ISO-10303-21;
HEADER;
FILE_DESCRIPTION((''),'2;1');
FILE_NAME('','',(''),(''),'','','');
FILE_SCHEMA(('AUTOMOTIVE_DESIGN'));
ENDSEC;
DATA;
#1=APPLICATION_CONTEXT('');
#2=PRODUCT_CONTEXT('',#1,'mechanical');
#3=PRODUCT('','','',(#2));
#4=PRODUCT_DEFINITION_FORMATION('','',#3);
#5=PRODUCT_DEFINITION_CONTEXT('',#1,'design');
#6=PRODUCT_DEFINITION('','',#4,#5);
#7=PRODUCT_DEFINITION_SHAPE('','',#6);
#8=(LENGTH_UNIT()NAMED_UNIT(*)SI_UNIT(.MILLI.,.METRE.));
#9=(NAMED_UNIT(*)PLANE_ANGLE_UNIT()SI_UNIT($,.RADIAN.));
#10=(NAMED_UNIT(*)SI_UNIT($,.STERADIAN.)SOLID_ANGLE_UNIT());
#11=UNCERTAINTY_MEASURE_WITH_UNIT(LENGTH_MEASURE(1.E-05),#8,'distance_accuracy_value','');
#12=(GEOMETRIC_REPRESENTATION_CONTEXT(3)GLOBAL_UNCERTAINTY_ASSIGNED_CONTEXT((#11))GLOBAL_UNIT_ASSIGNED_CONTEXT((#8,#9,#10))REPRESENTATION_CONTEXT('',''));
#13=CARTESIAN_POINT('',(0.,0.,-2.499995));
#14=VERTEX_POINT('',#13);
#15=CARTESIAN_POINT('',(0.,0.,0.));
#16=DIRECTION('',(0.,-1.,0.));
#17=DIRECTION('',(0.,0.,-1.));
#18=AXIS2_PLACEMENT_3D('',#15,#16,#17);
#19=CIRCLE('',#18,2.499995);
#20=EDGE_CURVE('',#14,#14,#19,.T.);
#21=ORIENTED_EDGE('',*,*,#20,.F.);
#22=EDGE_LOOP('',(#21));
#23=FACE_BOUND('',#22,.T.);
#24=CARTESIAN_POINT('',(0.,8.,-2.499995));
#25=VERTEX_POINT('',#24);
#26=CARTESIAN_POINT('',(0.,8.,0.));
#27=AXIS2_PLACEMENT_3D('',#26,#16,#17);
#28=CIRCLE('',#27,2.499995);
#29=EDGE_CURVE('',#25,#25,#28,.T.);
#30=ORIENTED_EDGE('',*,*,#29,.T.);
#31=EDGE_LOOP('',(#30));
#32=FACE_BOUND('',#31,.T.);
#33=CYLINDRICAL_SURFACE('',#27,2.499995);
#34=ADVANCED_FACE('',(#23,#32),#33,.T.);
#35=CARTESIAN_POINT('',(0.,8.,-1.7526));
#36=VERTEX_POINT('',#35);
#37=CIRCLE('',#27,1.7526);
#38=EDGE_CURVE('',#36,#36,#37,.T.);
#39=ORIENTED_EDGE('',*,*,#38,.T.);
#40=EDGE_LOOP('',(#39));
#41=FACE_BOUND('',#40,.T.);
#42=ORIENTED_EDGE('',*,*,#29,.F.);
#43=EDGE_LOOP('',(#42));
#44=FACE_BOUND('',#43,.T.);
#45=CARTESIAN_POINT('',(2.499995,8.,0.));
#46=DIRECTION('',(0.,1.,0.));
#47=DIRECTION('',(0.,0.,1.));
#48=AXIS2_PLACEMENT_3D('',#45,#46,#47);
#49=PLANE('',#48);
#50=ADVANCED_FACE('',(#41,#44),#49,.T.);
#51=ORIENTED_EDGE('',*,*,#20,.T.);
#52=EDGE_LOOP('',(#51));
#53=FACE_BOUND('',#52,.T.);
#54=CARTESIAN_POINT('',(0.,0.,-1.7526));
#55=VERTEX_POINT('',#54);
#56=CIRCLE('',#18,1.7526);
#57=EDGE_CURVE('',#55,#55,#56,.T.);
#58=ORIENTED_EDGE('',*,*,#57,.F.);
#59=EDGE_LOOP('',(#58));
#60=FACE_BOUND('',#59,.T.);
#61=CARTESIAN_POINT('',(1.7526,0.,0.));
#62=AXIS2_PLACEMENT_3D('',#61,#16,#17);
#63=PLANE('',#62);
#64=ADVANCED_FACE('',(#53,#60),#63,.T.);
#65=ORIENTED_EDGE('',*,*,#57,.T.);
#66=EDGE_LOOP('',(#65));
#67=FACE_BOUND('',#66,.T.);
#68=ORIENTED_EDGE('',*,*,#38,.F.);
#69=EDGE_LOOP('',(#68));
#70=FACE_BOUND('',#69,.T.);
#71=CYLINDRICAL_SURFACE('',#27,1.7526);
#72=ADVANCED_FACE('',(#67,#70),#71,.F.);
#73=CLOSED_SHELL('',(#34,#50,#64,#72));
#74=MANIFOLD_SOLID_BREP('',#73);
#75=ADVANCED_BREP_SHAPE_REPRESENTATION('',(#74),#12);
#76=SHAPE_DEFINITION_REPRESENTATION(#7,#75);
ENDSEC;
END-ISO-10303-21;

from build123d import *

# Parameters (mm, degrees)
SKETCH1_W = 0.747395
SKETCH1_H = 8.000000002


with BuildPart() as part:
    # Sketch1 → Revolve1 (revolve)
    with BuildSketch(Plane.XY, mode=Mode.PRIVATE) as revolve1_sk:
        with Locations((2.1262975, 4.000000001)):
            Rectangle(SKETCH1_W, SKETCH1_H)
    revolve(revolve1_sk.sketch.rotate(Axis((0, 8.000000002, 0), (0, -1, 0)), 270), axis=Axis((0, 8.000000002, 0), (0, -1, 0)))


solid = part.part
